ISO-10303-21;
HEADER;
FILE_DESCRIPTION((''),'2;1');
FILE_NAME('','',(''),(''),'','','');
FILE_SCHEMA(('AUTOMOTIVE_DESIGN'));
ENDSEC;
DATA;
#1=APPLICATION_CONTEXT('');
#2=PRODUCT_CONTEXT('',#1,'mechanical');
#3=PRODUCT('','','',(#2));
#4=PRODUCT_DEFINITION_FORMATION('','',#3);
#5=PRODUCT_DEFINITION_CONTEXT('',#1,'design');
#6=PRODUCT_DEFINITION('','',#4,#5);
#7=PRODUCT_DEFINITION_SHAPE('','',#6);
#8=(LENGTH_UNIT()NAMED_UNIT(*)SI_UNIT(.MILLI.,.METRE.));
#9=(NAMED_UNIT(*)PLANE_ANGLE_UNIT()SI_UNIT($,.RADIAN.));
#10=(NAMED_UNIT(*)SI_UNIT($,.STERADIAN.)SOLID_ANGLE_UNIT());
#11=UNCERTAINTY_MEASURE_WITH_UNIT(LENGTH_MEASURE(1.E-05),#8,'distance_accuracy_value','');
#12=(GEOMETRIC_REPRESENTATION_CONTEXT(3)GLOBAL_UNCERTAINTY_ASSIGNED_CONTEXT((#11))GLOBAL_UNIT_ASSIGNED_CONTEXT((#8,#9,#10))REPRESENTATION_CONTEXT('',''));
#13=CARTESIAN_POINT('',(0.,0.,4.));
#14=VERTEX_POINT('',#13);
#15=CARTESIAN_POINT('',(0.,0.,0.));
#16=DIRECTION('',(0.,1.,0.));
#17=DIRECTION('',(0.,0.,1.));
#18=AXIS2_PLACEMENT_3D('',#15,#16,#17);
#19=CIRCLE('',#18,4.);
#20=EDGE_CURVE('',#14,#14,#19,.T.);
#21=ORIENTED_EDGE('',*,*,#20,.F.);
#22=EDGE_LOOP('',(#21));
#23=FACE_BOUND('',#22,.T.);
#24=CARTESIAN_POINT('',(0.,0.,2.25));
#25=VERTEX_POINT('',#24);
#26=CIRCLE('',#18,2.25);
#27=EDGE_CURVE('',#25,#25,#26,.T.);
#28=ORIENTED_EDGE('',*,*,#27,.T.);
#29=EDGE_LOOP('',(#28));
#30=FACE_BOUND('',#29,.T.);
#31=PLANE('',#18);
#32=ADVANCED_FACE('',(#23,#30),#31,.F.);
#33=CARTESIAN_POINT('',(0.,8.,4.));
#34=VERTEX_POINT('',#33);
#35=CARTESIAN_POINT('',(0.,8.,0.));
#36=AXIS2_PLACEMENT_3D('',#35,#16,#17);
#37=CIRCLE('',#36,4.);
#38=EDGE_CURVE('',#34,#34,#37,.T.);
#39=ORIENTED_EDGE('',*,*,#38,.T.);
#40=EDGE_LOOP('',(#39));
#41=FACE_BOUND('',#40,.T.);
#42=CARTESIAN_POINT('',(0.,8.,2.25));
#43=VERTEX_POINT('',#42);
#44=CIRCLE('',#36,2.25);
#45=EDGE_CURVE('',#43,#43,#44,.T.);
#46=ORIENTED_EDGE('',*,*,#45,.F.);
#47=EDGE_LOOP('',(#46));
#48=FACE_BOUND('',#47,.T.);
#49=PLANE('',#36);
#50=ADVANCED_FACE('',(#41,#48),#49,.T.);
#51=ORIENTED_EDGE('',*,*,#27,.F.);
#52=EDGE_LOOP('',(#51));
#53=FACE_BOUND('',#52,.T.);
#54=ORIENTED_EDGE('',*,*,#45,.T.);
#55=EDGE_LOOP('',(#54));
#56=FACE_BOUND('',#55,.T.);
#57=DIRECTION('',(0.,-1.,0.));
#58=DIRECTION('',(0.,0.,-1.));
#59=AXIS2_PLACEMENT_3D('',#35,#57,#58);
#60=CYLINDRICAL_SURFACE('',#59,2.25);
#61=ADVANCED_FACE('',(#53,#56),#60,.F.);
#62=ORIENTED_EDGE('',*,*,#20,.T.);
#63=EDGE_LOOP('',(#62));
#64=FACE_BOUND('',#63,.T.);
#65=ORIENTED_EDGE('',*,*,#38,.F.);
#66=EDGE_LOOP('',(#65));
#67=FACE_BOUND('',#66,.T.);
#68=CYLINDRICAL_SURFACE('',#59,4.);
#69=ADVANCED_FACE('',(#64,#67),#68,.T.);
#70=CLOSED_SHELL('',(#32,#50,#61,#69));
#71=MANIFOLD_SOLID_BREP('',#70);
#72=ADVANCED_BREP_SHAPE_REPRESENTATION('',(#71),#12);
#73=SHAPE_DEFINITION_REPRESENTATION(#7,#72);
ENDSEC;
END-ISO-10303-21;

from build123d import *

# Parameters (mm, degrees)
SKETCH1_R           = 4
SKETCH1_R_2         = 2.25
BOSS_EXTRUDE1_DEPTH = 8


with BuildPart() as part:
    # Sketch1 → Boss-Extrude1 (new body)
    with BuildSketch(Plane(origin=(0, 0, 0), x_dir=(1, 0, 0), z_dir=(0, 1, 0))):
        with Locations(Location((0, 0, 0), (0, 0, 270))):
            Circle(SKETCH1_R)
        with Locations(Location((0, 0, 0), (0, 0, 270))):
            Circle(SKETCH1_R_2, mode=Mode.SUBTRACT)
    extrude(amount=BOSS_EXTRUDE1_DEPTH)


solid = part.part
